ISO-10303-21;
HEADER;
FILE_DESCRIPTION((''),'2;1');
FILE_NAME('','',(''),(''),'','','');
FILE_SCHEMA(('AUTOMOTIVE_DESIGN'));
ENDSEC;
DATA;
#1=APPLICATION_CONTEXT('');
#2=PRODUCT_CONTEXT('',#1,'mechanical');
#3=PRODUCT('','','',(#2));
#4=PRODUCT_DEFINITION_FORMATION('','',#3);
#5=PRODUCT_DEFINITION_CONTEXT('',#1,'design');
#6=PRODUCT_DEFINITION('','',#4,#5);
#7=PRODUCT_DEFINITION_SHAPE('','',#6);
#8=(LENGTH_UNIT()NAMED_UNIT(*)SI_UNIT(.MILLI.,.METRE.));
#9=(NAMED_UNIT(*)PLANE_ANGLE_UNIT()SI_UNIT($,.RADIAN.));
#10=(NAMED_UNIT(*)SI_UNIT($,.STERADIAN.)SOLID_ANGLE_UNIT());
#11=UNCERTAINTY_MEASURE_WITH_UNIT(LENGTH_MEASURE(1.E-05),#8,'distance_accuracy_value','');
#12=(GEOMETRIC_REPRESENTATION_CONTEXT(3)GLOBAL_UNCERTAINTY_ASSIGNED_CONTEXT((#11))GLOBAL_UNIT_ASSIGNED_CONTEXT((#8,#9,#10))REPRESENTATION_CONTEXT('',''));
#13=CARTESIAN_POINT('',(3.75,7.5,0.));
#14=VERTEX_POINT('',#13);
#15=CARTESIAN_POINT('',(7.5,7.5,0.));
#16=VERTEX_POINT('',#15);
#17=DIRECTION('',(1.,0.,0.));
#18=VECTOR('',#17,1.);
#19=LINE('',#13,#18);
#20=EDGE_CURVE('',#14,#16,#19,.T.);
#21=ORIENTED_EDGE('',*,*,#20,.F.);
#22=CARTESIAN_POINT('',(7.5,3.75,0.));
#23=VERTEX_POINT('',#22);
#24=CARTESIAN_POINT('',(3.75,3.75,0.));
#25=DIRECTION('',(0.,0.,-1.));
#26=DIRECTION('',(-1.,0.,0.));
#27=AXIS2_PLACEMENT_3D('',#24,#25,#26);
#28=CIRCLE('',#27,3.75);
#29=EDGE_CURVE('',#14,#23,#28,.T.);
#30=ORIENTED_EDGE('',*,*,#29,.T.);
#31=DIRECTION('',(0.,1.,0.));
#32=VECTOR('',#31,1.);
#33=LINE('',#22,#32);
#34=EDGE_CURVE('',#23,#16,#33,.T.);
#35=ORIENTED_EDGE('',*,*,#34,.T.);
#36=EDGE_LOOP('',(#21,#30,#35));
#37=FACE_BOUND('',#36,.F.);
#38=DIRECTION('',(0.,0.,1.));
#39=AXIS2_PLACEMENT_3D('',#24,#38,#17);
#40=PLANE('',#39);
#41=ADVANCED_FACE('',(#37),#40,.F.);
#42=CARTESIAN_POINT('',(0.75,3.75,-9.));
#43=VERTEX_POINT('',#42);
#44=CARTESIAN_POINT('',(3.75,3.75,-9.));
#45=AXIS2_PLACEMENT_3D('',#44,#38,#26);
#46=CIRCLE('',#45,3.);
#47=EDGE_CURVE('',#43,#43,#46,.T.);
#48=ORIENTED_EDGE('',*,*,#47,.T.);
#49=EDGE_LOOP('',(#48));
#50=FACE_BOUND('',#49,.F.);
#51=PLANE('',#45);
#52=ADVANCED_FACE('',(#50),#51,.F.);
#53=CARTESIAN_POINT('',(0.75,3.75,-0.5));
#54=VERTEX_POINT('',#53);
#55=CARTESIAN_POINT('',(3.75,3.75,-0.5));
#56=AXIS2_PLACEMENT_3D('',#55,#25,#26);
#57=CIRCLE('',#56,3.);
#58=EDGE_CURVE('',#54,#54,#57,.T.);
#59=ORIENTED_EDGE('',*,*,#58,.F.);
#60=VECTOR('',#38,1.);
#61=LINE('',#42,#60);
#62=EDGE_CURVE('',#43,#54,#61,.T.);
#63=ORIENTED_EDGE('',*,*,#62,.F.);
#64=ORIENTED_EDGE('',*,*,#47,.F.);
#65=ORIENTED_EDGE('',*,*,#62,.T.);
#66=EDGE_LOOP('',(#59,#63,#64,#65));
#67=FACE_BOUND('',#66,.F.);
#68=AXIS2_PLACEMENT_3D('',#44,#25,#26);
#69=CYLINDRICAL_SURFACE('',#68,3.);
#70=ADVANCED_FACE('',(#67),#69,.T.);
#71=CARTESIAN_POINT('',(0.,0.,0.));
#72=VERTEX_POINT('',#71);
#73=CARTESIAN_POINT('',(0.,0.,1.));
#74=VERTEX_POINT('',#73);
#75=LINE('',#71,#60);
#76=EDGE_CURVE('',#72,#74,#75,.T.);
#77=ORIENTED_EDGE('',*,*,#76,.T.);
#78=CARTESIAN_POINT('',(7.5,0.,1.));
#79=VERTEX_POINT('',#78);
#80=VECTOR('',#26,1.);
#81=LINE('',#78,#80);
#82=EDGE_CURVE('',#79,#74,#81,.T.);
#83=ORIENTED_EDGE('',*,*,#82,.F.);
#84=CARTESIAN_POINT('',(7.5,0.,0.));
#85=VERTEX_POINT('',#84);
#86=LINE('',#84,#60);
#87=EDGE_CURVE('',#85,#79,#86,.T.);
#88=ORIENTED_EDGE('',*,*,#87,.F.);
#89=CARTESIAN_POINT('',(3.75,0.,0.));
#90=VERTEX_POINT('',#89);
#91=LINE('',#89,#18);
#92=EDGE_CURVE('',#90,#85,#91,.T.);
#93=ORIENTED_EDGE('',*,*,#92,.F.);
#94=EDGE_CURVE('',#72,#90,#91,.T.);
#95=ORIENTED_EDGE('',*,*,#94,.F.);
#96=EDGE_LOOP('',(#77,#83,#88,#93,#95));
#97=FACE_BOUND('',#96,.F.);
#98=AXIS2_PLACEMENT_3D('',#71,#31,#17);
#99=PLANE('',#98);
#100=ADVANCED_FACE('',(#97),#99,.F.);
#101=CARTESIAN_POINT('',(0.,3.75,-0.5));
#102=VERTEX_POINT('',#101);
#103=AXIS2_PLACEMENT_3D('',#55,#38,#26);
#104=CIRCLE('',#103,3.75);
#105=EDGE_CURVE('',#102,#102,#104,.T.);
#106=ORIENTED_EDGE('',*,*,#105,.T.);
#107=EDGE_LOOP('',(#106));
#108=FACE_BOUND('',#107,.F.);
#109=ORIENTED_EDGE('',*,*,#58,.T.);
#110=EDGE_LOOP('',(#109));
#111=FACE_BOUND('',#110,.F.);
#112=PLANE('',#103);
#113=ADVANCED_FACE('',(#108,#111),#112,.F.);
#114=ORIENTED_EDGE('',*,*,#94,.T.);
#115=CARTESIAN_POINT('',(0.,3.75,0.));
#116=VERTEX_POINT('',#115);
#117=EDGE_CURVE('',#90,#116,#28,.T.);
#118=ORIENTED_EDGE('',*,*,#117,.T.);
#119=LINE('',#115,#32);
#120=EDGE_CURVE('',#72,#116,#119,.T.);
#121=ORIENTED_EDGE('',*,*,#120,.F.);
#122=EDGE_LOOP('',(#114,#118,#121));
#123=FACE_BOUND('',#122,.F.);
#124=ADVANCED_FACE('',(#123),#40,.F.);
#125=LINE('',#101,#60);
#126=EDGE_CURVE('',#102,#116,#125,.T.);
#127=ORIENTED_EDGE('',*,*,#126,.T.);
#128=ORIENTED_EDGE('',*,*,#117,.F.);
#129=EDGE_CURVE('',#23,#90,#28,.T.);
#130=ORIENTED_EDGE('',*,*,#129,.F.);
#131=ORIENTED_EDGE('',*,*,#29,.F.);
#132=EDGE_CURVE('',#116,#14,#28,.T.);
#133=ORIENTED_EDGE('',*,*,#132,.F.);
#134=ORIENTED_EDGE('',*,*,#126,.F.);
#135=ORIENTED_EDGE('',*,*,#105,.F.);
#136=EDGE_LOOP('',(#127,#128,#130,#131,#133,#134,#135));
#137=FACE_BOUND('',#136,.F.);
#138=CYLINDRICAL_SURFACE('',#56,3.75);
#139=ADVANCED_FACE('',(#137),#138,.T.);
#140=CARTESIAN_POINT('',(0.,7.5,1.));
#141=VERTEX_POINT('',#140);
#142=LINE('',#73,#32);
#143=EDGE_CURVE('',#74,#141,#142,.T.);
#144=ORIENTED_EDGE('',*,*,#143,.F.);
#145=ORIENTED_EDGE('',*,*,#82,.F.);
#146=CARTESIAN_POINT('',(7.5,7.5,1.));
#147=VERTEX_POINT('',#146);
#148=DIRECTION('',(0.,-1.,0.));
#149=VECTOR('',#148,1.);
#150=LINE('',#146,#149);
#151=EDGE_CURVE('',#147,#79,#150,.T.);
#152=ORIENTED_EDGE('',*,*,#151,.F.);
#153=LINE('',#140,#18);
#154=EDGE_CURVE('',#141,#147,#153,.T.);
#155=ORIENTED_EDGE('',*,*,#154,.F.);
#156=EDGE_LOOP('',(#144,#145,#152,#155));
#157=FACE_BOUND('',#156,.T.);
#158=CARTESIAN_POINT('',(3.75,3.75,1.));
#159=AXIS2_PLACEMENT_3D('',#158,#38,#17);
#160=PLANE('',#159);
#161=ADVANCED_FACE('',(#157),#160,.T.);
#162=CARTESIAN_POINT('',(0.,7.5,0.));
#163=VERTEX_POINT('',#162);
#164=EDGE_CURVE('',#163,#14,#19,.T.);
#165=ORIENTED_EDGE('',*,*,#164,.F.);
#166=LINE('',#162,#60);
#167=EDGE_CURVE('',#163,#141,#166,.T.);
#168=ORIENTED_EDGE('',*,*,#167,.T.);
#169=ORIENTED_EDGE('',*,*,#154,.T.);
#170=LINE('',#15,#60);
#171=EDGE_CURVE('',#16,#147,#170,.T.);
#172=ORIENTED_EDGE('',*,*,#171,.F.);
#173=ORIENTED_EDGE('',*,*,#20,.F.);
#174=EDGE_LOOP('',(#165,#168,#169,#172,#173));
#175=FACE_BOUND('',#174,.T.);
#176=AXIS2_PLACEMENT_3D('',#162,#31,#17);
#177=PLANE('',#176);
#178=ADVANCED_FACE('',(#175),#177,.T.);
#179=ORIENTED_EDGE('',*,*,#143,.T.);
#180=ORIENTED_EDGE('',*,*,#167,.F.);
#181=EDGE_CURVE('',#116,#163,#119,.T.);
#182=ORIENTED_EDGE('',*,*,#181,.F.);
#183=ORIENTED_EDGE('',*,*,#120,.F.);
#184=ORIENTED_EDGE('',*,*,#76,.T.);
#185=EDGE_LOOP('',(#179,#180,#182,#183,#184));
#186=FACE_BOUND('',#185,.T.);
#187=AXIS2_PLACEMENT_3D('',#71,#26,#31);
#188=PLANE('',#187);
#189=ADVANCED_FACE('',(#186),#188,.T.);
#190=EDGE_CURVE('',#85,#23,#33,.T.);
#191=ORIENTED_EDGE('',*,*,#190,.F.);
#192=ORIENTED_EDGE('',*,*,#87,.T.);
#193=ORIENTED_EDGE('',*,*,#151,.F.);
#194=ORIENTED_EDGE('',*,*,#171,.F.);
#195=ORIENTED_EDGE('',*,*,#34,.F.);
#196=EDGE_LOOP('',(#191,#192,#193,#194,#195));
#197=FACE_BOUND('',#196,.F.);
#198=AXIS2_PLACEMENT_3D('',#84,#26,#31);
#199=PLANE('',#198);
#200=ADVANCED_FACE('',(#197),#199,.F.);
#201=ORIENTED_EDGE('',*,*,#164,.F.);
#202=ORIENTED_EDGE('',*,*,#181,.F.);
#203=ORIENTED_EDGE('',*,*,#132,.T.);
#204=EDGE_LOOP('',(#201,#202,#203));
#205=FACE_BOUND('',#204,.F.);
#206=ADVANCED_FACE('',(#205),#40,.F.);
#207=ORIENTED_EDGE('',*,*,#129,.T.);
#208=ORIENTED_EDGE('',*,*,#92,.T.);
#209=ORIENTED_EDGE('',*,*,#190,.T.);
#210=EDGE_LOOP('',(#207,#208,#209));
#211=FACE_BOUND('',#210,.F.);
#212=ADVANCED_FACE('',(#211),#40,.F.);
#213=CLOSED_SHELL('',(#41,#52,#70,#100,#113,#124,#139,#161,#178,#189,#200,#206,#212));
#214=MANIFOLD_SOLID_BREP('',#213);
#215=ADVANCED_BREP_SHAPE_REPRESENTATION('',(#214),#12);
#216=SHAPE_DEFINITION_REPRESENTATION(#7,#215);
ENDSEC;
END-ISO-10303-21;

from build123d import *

# Parameters (mm, degrees)
CIRCLE_R         = 3.75
EXTRUDE001_DEPTH = 1.5
CIRCLE001_R      = 3
EXTRUDE_DEPTH    = 10
BOX_W            = 7.5
BOX_H            = 7.5
BOX_DEPTH        = 1


with BuildPart() as extrude001:
    # Circle → Extrude001 (new body)
    with BuildSketch(Plane(origin=(3.75, 3.75, 1), x_dir=(-1, 0, 0), z_dir=(0, 0, 1))):
        Circle(CIRCLE_R)
    extrude(amount=EXTRUDE001_DEPTH)


with BuildPart() as extrude001_1:
    # Extrude001 placement: moved
    add(extrude001.part.moved(Location((0, 0, -1.5))))


with BuildPart() as fusion:
    # Circle001 → Extrude (new body)
    with BuildSketch(Plane(origin=(3.75, 3.75, 1), x_dir=(-1, 0, 0), z_dir=(0, 0, 1))):
        Circle(CIRCLE001_R)
    extrude(amount=EXTRUDE_DEPTH)


with BuildPart() as fusion_1:
    # Extrude placement: moved
    add(fusion.part.moved(Location((0, 0, -10))))

    # Fusion: union Extrude001
    add(extrude001_1.part)


with BuildPart() as perforador_led_4_mm:
    # Box → Box (new body)
    with BuildSketch(Plane.XY):
        with Locations((3.75, 3.75)):
            Rectangle(BOX_W, BOX_H)
    extrude(amount=BOX_DEPTH)

    # Fusion001: union Fusion
    add(fusion_1.part)


solid = perforador_led_4_mm.part
